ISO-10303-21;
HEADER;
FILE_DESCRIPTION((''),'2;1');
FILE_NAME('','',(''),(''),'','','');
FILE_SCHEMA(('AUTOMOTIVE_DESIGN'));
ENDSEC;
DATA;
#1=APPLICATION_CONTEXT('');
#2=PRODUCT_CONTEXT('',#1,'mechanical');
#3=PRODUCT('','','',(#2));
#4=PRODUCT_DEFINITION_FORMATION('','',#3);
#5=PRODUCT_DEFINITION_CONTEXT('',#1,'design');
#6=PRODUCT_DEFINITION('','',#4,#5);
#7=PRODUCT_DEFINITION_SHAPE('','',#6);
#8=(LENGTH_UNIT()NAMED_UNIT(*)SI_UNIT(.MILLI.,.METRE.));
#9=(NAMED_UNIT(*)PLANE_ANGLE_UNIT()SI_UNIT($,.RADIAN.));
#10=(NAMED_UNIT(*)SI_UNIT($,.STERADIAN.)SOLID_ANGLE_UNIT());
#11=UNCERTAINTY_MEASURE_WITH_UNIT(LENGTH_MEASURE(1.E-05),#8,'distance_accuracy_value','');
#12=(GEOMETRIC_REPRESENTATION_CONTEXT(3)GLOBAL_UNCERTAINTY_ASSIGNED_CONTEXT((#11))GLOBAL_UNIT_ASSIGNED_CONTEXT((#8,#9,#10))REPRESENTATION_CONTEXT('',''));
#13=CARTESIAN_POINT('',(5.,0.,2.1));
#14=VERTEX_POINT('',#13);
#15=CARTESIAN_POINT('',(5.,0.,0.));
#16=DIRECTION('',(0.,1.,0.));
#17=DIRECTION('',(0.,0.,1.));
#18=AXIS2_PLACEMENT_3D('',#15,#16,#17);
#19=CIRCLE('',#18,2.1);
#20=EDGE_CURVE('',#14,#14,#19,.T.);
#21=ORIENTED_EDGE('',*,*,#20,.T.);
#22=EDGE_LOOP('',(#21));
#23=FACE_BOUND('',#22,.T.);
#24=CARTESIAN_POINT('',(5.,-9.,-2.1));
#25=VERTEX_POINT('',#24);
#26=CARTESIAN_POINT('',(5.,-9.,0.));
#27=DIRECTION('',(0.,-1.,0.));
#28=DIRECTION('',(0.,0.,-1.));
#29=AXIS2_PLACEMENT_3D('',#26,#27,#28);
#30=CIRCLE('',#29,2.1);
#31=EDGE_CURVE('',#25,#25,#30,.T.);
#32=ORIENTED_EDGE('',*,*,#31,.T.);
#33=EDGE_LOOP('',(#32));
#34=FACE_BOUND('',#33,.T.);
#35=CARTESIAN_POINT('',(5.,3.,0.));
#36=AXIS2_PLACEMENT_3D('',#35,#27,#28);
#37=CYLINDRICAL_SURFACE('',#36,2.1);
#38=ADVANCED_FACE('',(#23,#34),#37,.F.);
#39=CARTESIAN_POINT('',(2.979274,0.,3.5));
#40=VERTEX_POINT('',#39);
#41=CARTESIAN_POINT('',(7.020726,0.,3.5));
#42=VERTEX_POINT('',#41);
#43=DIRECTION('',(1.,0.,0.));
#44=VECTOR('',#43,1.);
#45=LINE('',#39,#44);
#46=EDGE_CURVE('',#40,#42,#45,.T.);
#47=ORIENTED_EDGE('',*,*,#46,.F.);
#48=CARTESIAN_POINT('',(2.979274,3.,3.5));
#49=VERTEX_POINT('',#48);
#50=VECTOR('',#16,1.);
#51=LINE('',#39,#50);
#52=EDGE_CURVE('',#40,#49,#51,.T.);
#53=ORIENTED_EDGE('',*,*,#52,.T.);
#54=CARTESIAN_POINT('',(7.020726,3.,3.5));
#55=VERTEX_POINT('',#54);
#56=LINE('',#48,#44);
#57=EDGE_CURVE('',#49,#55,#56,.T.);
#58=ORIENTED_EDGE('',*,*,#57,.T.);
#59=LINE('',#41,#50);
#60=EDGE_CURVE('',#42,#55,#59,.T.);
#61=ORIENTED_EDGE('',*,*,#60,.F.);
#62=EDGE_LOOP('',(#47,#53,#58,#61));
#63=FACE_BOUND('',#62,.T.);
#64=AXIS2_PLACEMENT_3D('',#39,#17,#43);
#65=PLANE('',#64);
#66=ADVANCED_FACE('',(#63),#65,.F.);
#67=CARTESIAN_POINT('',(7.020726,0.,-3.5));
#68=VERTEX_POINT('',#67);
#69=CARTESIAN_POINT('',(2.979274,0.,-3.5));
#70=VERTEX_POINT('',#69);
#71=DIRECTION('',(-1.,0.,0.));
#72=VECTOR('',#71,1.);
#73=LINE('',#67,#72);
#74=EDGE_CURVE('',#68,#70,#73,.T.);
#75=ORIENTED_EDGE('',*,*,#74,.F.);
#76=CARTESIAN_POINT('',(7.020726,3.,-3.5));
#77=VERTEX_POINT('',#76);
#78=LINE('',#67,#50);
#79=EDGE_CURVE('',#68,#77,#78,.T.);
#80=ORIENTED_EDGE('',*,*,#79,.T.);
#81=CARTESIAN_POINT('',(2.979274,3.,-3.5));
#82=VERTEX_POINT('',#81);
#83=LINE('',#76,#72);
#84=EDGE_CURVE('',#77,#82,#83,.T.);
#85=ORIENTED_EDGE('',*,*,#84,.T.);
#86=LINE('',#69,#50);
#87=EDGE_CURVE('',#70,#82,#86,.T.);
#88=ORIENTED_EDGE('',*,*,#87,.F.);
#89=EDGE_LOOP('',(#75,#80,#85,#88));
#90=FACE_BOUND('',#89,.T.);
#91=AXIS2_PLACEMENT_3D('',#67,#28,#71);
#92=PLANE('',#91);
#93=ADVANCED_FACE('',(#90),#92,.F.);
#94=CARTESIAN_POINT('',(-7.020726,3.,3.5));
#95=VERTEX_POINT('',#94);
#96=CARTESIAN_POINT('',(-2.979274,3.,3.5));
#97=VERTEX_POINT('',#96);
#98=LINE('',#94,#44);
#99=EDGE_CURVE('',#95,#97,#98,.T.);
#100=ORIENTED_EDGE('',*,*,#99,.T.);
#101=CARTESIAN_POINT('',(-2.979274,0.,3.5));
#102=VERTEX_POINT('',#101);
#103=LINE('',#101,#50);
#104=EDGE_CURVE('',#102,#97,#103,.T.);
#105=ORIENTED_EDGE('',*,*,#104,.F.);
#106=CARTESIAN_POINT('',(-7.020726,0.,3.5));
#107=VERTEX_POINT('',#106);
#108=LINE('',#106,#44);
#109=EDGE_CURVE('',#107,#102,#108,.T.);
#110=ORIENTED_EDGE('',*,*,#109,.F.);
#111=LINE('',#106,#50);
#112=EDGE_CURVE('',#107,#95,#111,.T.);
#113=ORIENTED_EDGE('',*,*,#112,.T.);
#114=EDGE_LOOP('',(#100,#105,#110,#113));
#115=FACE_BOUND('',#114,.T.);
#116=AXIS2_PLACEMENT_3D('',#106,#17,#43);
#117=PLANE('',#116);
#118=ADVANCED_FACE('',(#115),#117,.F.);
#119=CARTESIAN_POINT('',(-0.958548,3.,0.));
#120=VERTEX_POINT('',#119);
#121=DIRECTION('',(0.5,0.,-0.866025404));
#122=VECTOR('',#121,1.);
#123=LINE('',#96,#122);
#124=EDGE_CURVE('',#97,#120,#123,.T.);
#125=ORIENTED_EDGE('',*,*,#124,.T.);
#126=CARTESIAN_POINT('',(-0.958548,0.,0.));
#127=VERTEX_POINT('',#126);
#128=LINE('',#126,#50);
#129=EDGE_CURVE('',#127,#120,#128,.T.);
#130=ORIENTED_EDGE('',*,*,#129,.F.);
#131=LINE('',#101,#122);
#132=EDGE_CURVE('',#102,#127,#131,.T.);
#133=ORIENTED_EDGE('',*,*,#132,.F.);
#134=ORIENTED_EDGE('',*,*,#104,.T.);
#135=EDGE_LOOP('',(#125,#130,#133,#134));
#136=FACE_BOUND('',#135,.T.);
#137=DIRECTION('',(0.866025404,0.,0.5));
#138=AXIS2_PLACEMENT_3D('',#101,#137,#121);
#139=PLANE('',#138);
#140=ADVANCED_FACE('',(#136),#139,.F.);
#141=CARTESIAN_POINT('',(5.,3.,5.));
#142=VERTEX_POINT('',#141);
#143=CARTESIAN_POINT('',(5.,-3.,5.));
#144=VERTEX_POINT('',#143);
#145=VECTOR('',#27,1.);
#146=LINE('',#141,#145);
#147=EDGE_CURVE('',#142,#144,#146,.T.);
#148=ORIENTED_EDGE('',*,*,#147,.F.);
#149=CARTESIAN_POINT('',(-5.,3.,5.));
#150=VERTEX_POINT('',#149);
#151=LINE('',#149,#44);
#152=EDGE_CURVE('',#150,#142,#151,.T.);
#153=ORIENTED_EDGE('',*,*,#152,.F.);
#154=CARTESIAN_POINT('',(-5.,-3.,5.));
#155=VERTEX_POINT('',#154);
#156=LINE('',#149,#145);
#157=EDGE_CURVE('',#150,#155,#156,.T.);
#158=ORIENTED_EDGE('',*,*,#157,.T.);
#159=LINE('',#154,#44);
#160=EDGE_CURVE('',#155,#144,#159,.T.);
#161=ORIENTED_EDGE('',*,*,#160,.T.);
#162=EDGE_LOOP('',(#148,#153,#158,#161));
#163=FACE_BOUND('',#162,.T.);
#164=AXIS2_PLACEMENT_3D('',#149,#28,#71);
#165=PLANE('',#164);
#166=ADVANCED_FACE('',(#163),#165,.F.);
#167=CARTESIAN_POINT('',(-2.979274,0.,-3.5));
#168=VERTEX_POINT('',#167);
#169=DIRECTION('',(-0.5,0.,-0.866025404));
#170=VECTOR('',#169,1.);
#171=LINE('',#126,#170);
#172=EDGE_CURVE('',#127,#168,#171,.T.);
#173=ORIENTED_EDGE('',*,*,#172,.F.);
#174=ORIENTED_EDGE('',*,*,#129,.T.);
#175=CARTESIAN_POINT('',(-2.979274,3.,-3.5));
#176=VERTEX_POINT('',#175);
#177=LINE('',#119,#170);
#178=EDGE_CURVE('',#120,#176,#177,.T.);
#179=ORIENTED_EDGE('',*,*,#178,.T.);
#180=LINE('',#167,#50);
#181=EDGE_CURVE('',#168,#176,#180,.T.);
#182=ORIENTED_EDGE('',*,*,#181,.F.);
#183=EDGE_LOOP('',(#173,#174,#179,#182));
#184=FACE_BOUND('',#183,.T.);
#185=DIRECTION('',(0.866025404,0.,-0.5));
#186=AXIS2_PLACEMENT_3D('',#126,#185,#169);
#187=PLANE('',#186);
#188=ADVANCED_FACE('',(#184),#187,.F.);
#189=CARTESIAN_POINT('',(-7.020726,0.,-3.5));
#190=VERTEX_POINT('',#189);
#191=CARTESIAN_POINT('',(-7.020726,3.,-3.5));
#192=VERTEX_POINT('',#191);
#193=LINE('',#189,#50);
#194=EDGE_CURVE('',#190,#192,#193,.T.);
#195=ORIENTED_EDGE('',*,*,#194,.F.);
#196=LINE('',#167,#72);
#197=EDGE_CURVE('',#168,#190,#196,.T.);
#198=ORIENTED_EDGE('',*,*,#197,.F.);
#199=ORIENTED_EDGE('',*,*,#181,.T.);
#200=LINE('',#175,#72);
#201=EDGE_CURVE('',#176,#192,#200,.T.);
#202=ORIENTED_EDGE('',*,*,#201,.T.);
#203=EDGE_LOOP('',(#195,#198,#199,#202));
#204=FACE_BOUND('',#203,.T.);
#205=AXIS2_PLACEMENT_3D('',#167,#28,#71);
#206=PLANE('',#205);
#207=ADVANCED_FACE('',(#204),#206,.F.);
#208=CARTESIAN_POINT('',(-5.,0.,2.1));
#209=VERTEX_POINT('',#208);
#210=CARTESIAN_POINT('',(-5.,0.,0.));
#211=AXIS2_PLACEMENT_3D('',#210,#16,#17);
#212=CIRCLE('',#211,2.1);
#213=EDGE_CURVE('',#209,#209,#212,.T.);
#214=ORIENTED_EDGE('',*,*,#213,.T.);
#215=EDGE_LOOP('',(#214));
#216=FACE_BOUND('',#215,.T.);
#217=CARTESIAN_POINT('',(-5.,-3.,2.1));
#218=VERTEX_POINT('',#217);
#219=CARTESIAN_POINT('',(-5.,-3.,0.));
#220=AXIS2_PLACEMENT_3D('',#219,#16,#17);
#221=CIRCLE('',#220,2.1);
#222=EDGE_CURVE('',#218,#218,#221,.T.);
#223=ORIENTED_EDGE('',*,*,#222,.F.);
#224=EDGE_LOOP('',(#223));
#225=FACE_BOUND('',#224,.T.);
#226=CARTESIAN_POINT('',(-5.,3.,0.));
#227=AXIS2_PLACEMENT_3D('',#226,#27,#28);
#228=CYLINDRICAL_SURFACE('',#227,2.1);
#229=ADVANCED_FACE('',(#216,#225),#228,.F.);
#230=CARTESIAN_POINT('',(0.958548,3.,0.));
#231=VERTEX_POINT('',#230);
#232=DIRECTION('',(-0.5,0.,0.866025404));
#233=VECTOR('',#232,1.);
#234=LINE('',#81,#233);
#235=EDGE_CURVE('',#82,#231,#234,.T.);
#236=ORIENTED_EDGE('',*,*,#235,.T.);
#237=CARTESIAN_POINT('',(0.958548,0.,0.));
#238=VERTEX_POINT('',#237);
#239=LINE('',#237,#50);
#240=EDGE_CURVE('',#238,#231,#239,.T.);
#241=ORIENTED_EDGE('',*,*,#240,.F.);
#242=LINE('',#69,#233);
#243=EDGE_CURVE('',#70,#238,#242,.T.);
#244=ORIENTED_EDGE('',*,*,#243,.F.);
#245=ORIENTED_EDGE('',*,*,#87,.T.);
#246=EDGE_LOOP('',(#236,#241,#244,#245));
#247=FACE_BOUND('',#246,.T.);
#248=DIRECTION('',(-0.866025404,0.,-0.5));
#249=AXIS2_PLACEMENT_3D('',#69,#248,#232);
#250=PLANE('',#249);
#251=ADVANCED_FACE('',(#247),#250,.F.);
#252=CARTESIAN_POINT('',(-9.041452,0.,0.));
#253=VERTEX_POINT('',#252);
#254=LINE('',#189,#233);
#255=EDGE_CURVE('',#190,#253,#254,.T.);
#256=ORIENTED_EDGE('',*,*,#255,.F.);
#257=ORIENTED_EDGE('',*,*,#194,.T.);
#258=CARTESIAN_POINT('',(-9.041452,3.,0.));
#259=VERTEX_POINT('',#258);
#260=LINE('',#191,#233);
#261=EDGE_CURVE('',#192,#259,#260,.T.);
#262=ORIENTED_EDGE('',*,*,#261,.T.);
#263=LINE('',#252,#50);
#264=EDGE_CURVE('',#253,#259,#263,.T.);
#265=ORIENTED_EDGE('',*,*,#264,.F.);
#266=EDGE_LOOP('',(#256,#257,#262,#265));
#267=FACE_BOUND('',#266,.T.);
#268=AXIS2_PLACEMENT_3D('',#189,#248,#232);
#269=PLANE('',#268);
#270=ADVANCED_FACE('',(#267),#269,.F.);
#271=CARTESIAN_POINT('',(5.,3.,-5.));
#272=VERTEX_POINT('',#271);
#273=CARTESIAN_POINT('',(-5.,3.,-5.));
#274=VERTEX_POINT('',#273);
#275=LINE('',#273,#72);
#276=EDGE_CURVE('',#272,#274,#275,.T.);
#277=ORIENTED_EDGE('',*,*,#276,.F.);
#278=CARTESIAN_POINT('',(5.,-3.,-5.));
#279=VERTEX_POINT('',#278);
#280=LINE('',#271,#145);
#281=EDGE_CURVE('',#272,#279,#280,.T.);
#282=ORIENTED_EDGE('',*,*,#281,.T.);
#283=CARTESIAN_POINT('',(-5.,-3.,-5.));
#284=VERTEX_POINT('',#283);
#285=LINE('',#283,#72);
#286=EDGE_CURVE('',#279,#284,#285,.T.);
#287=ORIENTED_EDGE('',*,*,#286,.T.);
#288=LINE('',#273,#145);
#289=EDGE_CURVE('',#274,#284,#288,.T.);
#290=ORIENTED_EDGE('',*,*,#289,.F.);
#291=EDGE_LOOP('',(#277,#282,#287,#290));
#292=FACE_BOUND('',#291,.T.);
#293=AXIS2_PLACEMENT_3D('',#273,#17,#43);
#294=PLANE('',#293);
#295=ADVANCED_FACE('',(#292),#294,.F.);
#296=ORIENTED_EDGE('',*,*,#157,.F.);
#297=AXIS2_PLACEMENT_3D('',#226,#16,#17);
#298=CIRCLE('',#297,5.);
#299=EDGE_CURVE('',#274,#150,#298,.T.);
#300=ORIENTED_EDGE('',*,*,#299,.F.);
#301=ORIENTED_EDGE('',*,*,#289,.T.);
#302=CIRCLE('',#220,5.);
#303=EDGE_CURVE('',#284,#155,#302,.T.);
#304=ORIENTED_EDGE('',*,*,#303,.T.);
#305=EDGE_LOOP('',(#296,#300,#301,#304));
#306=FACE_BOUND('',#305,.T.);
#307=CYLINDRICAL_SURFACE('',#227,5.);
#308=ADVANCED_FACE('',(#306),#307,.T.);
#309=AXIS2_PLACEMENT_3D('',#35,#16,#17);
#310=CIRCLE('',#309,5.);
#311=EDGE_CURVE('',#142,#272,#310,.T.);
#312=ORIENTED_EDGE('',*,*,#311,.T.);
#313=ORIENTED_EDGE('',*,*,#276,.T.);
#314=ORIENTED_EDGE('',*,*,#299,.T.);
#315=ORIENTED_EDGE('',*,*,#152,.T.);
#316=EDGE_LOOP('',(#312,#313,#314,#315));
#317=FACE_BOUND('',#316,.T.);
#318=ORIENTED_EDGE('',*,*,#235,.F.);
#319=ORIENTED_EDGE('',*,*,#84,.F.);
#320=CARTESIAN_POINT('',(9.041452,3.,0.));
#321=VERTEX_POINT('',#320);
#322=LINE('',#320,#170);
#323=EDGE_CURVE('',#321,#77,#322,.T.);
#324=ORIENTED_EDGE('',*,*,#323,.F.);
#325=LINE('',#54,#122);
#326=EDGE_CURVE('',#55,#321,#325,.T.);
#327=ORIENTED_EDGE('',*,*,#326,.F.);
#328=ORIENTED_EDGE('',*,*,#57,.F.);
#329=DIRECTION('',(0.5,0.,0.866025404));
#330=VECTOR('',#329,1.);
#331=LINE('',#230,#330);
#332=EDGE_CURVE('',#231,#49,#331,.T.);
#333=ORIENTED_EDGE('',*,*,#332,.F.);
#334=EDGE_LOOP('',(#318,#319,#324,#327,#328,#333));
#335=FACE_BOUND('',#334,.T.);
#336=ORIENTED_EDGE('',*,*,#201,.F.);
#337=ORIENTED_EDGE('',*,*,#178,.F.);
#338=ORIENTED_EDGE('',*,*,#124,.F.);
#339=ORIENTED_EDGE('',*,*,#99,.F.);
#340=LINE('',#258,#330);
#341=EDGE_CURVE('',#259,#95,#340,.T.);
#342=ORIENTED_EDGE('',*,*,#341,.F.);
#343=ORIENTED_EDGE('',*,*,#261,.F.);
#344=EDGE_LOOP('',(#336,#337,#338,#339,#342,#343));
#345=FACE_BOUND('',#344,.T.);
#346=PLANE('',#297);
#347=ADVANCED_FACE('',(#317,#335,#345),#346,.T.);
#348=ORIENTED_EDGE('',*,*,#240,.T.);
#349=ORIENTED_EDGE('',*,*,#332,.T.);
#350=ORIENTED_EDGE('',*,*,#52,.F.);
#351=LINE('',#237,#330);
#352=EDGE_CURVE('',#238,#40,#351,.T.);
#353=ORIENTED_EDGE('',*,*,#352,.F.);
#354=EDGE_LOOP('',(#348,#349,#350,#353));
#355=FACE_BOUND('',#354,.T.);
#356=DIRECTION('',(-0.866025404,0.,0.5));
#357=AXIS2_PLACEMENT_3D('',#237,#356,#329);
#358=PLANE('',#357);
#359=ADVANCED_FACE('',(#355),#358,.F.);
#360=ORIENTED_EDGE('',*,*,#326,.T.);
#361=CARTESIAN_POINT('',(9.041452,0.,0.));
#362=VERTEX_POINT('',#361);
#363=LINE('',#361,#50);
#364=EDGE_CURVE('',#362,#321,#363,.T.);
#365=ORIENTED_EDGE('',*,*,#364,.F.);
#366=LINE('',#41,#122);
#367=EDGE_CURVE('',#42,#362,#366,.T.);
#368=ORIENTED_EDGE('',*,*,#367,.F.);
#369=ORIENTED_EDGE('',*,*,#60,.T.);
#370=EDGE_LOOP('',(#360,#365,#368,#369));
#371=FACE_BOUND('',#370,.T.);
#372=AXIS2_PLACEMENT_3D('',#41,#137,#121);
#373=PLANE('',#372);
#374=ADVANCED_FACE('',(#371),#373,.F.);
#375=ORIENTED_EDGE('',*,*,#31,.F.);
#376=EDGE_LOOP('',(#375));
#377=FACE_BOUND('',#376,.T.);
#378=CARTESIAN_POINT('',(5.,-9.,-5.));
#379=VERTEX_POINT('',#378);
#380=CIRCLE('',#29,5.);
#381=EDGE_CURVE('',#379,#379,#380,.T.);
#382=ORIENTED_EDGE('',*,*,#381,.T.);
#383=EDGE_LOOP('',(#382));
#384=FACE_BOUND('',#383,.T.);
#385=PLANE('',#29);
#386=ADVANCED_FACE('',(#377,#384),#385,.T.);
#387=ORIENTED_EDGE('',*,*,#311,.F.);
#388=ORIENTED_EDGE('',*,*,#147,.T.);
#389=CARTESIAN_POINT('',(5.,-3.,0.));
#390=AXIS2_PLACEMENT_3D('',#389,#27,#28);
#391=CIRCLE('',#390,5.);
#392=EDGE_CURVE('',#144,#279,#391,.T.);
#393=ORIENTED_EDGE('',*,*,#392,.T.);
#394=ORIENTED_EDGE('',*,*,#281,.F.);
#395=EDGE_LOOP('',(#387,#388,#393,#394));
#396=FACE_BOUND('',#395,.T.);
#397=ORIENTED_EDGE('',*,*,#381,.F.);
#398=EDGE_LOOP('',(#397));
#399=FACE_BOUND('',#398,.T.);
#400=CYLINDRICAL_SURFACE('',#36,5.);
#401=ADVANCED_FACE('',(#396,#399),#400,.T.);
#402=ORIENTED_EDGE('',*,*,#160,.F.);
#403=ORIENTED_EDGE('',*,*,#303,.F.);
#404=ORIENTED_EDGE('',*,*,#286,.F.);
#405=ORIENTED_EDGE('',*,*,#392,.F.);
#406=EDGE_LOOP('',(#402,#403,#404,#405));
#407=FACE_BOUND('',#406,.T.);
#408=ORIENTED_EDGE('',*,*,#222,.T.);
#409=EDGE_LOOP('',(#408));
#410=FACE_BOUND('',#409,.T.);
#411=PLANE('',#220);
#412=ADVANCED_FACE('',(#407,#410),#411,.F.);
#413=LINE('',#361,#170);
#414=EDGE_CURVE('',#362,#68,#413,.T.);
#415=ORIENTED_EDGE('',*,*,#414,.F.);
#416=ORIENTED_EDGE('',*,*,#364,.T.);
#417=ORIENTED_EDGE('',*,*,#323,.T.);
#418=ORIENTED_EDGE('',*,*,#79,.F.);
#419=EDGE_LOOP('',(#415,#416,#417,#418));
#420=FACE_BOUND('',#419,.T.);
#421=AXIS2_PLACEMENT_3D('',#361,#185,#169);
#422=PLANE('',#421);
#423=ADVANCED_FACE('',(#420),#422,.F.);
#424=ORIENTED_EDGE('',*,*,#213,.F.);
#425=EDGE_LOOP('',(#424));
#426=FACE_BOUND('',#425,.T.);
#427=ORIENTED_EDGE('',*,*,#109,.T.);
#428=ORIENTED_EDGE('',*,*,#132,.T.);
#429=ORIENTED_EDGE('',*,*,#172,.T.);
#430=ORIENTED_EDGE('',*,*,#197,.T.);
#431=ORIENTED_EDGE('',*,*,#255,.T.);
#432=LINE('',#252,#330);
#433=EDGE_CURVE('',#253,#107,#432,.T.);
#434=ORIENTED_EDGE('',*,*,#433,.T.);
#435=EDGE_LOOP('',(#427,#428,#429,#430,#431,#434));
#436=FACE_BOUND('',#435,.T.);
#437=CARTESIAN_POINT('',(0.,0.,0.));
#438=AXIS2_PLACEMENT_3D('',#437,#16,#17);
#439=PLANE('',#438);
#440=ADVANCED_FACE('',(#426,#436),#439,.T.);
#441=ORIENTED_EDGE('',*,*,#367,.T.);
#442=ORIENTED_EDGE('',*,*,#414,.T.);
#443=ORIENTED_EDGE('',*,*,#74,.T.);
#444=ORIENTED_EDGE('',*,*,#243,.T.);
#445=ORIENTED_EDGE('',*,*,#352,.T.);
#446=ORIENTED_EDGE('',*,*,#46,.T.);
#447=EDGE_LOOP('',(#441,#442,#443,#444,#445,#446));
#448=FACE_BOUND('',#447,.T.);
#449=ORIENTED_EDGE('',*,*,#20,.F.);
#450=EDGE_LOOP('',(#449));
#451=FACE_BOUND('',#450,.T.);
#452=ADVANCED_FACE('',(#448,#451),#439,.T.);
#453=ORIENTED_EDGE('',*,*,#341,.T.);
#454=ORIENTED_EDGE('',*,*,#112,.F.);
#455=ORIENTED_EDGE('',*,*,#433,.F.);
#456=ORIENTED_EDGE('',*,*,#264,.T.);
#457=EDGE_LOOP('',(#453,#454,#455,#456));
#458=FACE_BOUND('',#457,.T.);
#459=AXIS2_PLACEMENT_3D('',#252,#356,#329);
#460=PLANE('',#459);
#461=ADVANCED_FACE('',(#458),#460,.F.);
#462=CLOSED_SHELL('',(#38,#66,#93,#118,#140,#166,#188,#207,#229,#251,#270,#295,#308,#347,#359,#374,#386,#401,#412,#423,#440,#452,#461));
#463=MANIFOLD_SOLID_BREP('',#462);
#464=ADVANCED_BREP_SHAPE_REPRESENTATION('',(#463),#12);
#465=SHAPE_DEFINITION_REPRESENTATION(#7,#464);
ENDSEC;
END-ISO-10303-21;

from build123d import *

# Parameters (mm, degrees)
SKETCH1_R           = 2.1
BOSS_EXTRUDE1_DEPTH = 3
CUT_EXTRUDE1_DEPTH  = 3
SKETCH3_R           = 5
SKETCH3_R_2         = 2.1
BOSS_EXTRUDE2_DEPTH = 6


with BuildPart() as part:
    # Sketch1 → Boss-Extrude1 (new, symmetric)
    with BuildSketch(Plane(origin=(0, 0, 0), x_dir=(1, 0, 0), z_dir=(0, 1, 0))):
        with BuildLine():
            Line((-5, 5), (5, 5))
            ThreePointArc((5, 5), (10, 0), (5, -5))
            Line((5, -5), (-5, -5))
            ThreePointArc((-5, -5), (-10, 0), (-5, 5))
        make_face()
        with Locations(Location((5, 0, 0), (0, 0, 270))):
            Circle(SKETCH1_R, mode=Mode.SUBTRACT)
        with Locations(Location((-5, 0, 0), (0, 0, 270))):
            Circle(SKETCH1_R, mode=Mode.SUBTRACT)
    extrude(amount=BOSS_EXTRUDE1_DEPTH, both=True)

    # Sketch2 → Cut-Extrude1 (cut)
    with BuildSketch(Plane(origin=(0, 3, 0), x_dir=(1, 0, 0), z_dir=(0, 1, 0))):
        Polygon((-9.041451884, 0), (-7.020725942, -3.5), (-2.979274058, -3.5), (-0.958548116, 0), (-2.979274058, 3.5), (-7.020725942, 3.5), align=None)
        Polygon((9.041451884, 0), (7.020725942, 3.5), (2.979274058, 3.5), (0.958548116, 0), (2.979274058, -3.5), (7.020725942, -3.5), align=None)
    extrude(amount=-CUT_EXTRUDE1_DEPTH, mode=Mode.SUBTRACT)

    # Sketch3 → Boss-Extrude2 (add)
    with BuildSketch(Plane.XZ.offset(3)):
        with Locations(Location((5, 0, 0), (0, 0, 270))):
            Circle(SKETCH3_R)
        with Locations(Location((5, 0, 0), (0, 0, 270))):
            Circle(SKETCH3_R_2, mode=Mode.SUBTRACT)
    extrude(amount=BOSS_EXTRUDE2_DEPTH)


solid = part.part
